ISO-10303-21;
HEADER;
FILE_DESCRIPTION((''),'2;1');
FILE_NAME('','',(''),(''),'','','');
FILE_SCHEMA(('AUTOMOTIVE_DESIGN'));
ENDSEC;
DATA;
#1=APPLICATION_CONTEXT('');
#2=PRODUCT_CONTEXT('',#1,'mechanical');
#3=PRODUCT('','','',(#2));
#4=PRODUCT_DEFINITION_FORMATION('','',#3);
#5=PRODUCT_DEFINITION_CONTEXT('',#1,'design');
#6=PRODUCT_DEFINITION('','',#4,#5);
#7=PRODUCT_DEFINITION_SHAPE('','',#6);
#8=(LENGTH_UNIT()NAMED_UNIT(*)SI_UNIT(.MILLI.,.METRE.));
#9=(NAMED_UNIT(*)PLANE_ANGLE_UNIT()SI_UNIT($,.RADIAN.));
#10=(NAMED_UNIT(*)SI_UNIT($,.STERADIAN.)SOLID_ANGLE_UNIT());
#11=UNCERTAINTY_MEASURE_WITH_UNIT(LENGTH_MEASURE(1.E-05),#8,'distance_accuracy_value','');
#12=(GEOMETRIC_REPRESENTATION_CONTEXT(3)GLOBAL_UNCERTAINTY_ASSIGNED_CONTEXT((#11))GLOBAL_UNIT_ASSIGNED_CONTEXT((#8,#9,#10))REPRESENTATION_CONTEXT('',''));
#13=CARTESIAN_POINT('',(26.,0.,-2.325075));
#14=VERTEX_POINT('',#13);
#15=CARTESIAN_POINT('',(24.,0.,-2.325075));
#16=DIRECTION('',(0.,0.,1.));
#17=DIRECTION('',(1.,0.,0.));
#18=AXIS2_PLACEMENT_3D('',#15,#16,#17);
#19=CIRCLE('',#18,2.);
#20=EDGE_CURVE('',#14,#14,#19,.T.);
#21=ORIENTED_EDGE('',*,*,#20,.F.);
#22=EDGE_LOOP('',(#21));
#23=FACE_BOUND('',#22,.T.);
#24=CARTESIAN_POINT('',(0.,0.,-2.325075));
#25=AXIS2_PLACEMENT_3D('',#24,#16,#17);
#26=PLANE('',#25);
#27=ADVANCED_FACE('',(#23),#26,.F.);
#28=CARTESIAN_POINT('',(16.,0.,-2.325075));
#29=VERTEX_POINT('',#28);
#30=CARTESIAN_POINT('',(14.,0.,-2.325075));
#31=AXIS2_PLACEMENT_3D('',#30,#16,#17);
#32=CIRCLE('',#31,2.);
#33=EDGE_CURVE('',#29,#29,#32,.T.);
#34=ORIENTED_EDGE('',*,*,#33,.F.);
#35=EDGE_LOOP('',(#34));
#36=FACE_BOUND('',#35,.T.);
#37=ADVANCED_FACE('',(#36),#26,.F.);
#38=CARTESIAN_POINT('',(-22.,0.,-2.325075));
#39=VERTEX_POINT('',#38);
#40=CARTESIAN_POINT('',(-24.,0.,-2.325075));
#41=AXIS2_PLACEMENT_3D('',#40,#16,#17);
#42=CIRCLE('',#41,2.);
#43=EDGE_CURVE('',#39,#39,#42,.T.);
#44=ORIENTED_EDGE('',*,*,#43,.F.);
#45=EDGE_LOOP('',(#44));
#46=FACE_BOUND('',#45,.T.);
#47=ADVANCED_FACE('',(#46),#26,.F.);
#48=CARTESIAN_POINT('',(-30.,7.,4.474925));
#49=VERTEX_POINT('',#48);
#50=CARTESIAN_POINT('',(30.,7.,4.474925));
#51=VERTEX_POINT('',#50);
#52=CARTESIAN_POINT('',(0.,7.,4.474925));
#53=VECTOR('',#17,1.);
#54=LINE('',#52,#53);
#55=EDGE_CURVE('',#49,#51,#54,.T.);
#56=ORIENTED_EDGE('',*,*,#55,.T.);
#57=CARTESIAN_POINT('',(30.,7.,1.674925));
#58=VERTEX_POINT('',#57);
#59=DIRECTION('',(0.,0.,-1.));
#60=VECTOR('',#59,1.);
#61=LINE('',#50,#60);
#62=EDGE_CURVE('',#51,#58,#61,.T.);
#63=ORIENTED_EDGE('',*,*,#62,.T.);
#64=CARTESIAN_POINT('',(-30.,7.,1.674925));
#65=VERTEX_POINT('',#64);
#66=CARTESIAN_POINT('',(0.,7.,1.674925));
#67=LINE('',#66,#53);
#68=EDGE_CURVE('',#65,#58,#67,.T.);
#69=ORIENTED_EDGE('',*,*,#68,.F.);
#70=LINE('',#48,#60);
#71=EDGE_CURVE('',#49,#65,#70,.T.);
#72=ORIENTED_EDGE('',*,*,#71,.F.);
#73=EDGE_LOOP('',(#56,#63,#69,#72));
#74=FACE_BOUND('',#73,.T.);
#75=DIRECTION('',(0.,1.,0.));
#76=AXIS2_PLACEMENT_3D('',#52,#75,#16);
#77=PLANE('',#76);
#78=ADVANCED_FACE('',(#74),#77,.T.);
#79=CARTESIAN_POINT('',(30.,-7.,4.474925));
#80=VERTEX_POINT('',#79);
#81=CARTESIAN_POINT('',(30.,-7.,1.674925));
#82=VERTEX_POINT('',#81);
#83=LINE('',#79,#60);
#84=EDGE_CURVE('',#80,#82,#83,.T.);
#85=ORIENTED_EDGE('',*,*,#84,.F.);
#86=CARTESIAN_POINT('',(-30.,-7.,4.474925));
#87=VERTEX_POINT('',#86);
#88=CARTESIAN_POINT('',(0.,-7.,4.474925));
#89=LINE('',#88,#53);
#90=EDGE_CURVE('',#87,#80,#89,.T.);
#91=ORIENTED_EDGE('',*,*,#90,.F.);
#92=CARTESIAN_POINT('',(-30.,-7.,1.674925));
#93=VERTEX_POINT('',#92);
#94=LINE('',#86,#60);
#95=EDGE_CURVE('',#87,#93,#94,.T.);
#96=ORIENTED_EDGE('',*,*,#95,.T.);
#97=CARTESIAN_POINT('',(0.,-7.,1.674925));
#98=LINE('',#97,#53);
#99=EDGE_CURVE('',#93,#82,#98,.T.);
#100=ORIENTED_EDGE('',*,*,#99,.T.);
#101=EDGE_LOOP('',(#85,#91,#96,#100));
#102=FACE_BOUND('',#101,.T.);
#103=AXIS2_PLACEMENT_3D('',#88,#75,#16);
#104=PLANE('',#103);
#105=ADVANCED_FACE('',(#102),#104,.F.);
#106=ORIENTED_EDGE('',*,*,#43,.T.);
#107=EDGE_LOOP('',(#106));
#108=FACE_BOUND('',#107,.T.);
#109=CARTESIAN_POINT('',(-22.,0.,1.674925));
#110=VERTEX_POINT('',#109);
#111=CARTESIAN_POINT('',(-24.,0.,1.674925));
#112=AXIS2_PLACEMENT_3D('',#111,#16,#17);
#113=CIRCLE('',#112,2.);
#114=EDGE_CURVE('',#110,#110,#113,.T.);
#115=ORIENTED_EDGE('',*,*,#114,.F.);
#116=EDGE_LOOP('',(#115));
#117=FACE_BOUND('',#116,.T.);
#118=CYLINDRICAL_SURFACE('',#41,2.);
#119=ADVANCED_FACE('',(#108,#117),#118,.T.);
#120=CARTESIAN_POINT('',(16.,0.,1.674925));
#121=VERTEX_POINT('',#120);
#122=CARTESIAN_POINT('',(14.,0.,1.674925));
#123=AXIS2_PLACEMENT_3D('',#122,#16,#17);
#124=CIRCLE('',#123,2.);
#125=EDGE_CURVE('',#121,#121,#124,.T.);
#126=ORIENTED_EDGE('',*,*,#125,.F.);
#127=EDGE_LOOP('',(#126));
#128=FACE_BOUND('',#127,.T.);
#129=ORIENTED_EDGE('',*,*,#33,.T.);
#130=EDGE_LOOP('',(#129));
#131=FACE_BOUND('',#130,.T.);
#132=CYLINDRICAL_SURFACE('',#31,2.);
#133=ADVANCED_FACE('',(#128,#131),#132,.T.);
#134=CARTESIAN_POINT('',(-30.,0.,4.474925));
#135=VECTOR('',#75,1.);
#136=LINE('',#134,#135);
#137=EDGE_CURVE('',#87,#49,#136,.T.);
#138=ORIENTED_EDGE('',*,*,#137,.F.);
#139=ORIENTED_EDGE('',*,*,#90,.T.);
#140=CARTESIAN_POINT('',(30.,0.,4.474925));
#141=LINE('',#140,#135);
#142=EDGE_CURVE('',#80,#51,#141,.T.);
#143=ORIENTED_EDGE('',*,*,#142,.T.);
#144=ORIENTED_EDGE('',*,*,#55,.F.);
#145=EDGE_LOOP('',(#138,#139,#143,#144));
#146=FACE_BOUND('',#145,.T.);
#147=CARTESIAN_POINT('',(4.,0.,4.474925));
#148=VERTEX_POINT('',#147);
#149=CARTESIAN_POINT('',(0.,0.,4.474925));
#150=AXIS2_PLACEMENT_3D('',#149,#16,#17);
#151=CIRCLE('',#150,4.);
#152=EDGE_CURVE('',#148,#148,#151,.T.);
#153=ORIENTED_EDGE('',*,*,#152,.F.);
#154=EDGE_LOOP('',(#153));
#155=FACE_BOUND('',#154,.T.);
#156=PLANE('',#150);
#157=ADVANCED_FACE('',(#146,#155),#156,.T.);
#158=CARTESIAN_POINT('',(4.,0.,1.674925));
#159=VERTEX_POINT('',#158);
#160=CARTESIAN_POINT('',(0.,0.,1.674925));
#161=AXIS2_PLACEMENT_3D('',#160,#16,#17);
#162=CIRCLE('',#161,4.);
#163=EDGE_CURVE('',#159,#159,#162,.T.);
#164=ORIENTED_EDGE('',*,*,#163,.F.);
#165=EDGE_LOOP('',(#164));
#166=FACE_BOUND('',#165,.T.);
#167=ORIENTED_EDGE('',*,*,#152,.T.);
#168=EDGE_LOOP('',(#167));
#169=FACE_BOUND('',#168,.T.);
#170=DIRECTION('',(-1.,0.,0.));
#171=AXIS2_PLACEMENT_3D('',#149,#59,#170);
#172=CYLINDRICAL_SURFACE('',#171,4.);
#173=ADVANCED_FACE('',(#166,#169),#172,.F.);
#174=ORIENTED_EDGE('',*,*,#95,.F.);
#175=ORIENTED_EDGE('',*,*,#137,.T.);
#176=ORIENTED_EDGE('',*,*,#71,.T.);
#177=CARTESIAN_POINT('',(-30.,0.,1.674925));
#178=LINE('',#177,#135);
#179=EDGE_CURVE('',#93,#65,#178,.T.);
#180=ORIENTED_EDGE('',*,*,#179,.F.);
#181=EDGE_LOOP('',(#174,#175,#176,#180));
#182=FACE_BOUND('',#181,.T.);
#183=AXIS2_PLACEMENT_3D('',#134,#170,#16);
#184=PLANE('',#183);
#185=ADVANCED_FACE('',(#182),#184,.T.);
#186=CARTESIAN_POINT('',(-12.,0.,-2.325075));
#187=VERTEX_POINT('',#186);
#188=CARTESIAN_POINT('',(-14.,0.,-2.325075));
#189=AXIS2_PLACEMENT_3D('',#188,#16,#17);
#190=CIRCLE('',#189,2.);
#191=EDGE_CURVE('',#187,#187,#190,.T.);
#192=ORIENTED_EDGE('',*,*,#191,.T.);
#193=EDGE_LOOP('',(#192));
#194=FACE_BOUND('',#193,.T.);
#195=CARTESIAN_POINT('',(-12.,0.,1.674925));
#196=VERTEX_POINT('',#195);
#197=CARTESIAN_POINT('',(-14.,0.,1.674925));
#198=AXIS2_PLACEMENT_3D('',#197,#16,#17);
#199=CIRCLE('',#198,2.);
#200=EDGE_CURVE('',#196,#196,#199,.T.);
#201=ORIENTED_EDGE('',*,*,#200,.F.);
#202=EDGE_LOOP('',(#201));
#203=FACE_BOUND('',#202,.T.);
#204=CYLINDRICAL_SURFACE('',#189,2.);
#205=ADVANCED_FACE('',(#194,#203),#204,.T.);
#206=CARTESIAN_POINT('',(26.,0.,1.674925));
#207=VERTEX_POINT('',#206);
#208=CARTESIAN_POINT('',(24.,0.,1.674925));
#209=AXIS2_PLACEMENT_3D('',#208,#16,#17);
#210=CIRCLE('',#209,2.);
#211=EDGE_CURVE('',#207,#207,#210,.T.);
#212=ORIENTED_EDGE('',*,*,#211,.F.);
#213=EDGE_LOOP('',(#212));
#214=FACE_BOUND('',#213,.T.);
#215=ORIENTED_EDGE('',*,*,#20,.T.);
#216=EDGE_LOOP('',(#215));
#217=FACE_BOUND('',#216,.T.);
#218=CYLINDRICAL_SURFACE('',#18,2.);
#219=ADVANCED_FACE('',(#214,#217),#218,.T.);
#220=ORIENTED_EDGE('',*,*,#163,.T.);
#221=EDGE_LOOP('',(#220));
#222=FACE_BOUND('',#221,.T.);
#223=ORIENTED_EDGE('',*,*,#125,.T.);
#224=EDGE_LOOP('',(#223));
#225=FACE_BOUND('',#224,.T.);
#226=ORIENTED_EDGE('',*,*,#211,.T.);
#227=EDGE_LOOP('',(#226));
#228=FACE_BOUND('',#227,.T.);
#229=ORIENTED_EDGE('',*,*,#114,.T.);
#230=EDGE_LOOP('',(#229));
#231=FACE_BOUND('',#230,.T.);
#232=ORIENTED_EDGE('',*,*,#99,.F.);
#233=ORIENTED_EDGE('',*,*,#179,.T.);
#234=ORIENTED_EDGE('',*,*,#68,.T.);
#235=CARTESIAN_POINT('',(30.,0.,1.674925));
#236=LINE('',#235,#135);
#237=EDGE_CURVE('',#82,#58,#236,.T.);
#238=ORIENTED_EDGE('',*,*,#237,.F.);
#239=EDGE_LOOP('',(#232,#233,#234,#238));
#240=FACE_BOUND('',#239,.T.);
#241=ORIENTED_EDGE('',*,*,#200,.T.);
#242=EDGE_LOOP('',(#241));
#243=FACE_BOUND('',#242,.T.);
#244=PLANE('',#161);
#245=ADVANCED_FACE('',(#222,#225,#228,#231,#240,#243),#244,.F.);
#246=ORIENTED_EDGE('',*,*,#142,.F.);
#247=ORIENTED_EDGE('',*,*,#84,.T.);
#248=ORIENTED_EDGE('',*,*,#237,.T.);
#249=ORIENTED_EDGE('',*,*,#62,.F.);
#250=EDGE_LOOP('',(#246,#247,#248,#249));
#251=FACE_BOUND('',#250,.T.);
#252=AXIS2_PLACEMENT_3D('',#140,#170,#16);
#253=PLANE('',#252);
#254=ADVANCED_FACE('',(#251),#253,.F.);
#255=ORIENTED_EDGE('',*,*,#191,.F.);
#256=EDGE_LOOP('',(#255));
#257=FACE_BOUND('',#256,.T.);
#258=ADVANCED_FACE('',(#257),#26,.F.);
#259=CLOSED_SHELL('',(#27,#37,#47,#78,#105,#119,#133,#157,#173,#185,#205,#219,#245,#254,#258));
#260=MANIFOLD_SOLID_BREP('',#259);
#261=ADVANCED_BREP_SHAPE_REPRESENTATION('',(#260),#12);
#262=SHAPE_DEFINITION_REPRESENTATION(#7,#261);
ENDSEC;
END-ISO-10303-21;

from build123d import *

# Parameters (mm, degrees)
SKETCH1_W           = 150
SKETCH1_H           = 35
SKETCH1_R           = 10
BOSS_EXTRUDE1_DEPTH = 7
SKETCH1_3_R         = 5
BOSS_EXTRUDE2_DEPTH = 10
SCALE1_SCALE        = 0.2
SCALE2_SCALE        = 2


with BuildPart() as part:
    # Sketch1 → Boss-Extrude1 (new body)
    with BuildSketch(Plane.XY):
        Rectangle(SKETCH1_W, SKETCH1_H)
        Circle(SKETCH1_R, mode=Mode.SUBTRACT)
    extrude(amount=BOSS_EXTRUDE1_DEPTH)

    # Sketch1<3> → Boss-Extrude2 (add)
    with BuildSketch(Plane.XY):
        with Locations((60, 0)):
            Circle(SKETCH1_3_R)
        with Locations((35, 0)):
            Circle(SKETCH1_3_R)
        with Locations((-35, 0)):
            Circle(SKETCH1_3_R)
        with Locations((-60, 0)):
            Circle(SKETCH1_3_R)
    extrude(amount=-BOSS_EXTRUDE2_DEPTH)


with BuildPart() as part_1:
    # Scale1: scaled about (0, 0, 2.791541997)
    add(part.part.scale(SCALE1_SCALE).moved(Location((0, 0, 2.233233598))))


with BuildPart() as part_2:
    # Scale2: scaled about (0, 0, 2.791541997)
    add(part_1.part.scale(SCALE2_SCALE).moved(Location((0, 0, -2.791541997))))


solid = part_2.part
